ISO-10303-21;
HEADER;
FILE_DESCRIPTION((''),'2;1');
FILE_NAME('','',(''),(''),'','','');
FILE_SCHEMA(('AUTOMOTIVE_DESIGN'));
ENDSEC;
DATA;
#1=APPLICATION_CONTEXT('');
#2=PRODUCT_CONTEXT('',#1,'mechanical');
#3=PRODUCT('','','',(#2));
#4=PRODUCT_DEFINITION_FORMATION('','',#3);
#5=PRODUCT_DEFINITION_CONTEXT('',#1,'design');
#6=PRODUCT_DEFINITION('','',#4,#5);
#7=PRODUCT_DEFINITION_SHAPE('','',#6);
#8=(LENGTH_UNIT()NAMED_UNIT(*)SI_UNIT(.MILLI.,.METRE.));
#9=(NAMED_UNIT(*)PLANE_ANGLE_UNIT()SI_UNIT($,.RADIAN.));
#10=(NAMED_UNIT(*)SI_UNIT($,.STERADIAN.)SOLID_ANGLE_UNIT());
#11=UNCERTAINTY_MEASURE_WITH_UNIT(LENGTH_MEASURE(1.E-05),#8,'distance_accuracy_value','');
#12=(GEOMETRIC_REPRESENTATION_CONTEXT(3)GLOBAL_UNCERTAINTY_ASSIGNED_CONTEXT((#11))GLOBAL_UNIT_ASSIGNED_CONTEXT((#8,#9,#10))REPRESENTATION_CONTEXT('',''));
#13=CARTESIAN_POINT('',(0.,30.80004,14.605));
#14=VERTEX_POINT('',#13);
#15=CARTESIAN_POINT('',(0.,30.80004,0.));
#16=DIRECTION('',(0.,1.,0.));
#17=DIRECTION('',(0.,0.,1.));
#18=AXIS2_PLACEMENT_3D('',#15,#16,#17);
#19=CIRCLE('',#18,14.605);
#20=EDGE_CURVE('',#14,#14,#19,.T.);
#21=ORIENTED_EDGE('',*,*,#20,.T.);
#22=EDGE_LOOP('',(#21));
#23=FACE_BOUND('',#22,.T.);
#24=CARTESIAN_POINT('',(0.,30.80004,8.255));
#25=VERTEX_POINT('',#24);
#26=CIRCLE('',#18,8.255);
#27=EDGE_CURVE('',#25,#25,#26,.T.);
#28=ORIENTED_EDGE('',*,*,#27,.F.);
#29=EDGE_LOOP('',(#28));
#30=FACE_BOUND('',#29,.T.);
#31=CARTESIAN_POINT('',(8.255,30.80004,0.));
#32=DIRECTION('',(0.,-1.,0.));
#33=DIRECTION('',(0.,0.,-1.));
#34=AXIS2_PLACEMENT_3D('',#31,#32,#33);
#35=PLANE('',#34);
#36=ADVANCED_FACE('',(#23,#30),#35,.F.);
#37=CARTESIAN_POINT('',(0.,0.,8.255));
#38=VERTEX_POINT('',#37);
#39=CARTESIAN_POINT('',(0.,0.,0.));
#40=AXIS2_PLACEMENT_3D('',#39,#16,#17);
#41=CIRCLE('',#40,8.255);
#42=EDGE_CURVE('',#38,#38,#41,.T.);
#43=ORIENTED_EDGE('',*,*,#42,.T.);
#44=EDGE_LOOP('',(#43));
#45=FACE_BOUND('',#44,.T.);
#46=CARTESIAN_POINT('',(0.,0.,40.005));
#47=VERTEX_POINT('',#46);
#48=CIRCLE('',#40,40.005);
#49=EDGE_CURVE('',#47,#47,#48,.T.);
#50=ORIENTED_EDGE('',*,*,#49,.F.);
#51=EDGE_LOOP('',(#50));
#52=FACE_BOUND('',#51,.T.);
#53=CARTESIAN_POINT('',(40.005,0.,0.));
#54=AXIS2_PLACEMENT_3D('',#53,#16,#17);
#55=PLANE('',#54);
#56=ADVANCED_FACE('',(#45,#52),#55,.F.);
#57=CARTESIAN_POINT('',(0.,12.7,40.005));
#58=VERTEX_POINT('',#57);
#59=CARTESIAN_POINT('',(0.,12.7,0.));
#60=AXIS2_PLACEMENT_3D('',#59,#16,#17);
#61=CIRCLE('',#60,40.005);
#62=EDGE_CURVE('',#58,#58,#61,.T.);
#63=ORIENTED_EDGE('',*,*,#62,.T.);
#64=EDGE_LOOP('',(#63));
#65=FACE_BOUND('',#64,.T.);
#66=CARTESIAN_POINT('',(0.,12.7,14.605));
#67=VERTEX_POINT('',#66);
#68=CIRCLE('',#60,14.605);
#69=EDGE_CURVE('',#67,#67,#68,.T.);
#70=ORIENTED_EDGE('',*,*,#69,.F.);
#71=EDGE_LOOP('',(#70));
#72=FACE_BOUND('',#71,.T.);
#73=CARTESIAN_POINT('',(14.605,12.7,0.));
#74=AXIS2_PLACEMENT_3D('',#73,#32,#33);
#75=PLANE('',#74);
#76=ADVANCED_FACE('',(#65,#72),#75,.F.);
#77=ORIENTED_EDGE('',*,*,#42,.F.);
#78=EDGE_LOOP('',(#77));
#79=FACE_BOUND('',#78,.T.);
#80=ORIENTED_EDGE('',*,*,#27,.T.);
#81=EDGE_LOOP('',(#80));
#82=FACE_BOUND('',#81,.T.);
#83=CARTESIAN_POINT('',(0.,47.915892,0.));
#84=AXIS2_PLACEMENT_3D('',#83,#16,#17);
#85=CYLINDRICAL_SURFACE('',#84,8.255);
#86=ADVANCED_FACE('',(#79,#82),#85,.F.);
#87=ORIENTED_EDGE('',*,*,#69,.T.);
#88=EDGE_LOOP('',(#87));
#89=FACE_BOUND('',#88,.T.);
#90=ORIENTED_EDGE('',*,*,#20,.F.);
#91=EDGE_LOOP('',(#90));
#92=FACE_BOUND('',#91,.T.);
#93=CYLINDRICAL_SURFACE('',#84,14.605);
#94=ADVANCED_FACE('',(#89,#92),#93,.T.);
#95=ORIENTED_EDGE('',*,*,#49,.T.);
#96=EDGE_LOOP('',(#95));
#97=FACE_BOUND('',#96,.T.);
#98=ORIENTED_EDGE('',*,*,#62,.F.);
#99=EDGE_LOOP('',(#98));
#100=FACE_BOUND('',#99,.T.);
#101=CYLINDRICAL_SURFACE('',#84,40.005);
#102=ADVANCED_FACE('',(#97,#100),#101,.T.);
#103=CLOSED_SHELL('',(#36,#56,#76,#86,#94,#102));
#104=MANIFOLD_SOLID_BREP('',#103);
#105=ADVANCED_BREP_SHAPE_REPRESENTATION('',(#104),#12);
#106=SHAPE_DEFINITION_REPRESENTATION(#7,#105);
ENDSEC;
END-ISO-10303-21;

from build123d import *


with BuildPart() as part:
    # Sketch2 → Revolve1 (revolve)
    with BuildSketch(Plane.XY, mode=Mode.PRIVATE) as revolve1_sk:
        Polygon((8.255, 0), (8.255, 30.80004), (14.605, 30.80004), (14.605, 12.7), (40.005, 12.7), (40.005, 0), align=None)
    revolve(revolve1_sk.sketch.rotate(Axis((0, 47.915891606, 0), (0, -1, 0)), 90), axis=Axis((0, 47.915891606, 0), (0, -1, 0)))


solid = part.part
